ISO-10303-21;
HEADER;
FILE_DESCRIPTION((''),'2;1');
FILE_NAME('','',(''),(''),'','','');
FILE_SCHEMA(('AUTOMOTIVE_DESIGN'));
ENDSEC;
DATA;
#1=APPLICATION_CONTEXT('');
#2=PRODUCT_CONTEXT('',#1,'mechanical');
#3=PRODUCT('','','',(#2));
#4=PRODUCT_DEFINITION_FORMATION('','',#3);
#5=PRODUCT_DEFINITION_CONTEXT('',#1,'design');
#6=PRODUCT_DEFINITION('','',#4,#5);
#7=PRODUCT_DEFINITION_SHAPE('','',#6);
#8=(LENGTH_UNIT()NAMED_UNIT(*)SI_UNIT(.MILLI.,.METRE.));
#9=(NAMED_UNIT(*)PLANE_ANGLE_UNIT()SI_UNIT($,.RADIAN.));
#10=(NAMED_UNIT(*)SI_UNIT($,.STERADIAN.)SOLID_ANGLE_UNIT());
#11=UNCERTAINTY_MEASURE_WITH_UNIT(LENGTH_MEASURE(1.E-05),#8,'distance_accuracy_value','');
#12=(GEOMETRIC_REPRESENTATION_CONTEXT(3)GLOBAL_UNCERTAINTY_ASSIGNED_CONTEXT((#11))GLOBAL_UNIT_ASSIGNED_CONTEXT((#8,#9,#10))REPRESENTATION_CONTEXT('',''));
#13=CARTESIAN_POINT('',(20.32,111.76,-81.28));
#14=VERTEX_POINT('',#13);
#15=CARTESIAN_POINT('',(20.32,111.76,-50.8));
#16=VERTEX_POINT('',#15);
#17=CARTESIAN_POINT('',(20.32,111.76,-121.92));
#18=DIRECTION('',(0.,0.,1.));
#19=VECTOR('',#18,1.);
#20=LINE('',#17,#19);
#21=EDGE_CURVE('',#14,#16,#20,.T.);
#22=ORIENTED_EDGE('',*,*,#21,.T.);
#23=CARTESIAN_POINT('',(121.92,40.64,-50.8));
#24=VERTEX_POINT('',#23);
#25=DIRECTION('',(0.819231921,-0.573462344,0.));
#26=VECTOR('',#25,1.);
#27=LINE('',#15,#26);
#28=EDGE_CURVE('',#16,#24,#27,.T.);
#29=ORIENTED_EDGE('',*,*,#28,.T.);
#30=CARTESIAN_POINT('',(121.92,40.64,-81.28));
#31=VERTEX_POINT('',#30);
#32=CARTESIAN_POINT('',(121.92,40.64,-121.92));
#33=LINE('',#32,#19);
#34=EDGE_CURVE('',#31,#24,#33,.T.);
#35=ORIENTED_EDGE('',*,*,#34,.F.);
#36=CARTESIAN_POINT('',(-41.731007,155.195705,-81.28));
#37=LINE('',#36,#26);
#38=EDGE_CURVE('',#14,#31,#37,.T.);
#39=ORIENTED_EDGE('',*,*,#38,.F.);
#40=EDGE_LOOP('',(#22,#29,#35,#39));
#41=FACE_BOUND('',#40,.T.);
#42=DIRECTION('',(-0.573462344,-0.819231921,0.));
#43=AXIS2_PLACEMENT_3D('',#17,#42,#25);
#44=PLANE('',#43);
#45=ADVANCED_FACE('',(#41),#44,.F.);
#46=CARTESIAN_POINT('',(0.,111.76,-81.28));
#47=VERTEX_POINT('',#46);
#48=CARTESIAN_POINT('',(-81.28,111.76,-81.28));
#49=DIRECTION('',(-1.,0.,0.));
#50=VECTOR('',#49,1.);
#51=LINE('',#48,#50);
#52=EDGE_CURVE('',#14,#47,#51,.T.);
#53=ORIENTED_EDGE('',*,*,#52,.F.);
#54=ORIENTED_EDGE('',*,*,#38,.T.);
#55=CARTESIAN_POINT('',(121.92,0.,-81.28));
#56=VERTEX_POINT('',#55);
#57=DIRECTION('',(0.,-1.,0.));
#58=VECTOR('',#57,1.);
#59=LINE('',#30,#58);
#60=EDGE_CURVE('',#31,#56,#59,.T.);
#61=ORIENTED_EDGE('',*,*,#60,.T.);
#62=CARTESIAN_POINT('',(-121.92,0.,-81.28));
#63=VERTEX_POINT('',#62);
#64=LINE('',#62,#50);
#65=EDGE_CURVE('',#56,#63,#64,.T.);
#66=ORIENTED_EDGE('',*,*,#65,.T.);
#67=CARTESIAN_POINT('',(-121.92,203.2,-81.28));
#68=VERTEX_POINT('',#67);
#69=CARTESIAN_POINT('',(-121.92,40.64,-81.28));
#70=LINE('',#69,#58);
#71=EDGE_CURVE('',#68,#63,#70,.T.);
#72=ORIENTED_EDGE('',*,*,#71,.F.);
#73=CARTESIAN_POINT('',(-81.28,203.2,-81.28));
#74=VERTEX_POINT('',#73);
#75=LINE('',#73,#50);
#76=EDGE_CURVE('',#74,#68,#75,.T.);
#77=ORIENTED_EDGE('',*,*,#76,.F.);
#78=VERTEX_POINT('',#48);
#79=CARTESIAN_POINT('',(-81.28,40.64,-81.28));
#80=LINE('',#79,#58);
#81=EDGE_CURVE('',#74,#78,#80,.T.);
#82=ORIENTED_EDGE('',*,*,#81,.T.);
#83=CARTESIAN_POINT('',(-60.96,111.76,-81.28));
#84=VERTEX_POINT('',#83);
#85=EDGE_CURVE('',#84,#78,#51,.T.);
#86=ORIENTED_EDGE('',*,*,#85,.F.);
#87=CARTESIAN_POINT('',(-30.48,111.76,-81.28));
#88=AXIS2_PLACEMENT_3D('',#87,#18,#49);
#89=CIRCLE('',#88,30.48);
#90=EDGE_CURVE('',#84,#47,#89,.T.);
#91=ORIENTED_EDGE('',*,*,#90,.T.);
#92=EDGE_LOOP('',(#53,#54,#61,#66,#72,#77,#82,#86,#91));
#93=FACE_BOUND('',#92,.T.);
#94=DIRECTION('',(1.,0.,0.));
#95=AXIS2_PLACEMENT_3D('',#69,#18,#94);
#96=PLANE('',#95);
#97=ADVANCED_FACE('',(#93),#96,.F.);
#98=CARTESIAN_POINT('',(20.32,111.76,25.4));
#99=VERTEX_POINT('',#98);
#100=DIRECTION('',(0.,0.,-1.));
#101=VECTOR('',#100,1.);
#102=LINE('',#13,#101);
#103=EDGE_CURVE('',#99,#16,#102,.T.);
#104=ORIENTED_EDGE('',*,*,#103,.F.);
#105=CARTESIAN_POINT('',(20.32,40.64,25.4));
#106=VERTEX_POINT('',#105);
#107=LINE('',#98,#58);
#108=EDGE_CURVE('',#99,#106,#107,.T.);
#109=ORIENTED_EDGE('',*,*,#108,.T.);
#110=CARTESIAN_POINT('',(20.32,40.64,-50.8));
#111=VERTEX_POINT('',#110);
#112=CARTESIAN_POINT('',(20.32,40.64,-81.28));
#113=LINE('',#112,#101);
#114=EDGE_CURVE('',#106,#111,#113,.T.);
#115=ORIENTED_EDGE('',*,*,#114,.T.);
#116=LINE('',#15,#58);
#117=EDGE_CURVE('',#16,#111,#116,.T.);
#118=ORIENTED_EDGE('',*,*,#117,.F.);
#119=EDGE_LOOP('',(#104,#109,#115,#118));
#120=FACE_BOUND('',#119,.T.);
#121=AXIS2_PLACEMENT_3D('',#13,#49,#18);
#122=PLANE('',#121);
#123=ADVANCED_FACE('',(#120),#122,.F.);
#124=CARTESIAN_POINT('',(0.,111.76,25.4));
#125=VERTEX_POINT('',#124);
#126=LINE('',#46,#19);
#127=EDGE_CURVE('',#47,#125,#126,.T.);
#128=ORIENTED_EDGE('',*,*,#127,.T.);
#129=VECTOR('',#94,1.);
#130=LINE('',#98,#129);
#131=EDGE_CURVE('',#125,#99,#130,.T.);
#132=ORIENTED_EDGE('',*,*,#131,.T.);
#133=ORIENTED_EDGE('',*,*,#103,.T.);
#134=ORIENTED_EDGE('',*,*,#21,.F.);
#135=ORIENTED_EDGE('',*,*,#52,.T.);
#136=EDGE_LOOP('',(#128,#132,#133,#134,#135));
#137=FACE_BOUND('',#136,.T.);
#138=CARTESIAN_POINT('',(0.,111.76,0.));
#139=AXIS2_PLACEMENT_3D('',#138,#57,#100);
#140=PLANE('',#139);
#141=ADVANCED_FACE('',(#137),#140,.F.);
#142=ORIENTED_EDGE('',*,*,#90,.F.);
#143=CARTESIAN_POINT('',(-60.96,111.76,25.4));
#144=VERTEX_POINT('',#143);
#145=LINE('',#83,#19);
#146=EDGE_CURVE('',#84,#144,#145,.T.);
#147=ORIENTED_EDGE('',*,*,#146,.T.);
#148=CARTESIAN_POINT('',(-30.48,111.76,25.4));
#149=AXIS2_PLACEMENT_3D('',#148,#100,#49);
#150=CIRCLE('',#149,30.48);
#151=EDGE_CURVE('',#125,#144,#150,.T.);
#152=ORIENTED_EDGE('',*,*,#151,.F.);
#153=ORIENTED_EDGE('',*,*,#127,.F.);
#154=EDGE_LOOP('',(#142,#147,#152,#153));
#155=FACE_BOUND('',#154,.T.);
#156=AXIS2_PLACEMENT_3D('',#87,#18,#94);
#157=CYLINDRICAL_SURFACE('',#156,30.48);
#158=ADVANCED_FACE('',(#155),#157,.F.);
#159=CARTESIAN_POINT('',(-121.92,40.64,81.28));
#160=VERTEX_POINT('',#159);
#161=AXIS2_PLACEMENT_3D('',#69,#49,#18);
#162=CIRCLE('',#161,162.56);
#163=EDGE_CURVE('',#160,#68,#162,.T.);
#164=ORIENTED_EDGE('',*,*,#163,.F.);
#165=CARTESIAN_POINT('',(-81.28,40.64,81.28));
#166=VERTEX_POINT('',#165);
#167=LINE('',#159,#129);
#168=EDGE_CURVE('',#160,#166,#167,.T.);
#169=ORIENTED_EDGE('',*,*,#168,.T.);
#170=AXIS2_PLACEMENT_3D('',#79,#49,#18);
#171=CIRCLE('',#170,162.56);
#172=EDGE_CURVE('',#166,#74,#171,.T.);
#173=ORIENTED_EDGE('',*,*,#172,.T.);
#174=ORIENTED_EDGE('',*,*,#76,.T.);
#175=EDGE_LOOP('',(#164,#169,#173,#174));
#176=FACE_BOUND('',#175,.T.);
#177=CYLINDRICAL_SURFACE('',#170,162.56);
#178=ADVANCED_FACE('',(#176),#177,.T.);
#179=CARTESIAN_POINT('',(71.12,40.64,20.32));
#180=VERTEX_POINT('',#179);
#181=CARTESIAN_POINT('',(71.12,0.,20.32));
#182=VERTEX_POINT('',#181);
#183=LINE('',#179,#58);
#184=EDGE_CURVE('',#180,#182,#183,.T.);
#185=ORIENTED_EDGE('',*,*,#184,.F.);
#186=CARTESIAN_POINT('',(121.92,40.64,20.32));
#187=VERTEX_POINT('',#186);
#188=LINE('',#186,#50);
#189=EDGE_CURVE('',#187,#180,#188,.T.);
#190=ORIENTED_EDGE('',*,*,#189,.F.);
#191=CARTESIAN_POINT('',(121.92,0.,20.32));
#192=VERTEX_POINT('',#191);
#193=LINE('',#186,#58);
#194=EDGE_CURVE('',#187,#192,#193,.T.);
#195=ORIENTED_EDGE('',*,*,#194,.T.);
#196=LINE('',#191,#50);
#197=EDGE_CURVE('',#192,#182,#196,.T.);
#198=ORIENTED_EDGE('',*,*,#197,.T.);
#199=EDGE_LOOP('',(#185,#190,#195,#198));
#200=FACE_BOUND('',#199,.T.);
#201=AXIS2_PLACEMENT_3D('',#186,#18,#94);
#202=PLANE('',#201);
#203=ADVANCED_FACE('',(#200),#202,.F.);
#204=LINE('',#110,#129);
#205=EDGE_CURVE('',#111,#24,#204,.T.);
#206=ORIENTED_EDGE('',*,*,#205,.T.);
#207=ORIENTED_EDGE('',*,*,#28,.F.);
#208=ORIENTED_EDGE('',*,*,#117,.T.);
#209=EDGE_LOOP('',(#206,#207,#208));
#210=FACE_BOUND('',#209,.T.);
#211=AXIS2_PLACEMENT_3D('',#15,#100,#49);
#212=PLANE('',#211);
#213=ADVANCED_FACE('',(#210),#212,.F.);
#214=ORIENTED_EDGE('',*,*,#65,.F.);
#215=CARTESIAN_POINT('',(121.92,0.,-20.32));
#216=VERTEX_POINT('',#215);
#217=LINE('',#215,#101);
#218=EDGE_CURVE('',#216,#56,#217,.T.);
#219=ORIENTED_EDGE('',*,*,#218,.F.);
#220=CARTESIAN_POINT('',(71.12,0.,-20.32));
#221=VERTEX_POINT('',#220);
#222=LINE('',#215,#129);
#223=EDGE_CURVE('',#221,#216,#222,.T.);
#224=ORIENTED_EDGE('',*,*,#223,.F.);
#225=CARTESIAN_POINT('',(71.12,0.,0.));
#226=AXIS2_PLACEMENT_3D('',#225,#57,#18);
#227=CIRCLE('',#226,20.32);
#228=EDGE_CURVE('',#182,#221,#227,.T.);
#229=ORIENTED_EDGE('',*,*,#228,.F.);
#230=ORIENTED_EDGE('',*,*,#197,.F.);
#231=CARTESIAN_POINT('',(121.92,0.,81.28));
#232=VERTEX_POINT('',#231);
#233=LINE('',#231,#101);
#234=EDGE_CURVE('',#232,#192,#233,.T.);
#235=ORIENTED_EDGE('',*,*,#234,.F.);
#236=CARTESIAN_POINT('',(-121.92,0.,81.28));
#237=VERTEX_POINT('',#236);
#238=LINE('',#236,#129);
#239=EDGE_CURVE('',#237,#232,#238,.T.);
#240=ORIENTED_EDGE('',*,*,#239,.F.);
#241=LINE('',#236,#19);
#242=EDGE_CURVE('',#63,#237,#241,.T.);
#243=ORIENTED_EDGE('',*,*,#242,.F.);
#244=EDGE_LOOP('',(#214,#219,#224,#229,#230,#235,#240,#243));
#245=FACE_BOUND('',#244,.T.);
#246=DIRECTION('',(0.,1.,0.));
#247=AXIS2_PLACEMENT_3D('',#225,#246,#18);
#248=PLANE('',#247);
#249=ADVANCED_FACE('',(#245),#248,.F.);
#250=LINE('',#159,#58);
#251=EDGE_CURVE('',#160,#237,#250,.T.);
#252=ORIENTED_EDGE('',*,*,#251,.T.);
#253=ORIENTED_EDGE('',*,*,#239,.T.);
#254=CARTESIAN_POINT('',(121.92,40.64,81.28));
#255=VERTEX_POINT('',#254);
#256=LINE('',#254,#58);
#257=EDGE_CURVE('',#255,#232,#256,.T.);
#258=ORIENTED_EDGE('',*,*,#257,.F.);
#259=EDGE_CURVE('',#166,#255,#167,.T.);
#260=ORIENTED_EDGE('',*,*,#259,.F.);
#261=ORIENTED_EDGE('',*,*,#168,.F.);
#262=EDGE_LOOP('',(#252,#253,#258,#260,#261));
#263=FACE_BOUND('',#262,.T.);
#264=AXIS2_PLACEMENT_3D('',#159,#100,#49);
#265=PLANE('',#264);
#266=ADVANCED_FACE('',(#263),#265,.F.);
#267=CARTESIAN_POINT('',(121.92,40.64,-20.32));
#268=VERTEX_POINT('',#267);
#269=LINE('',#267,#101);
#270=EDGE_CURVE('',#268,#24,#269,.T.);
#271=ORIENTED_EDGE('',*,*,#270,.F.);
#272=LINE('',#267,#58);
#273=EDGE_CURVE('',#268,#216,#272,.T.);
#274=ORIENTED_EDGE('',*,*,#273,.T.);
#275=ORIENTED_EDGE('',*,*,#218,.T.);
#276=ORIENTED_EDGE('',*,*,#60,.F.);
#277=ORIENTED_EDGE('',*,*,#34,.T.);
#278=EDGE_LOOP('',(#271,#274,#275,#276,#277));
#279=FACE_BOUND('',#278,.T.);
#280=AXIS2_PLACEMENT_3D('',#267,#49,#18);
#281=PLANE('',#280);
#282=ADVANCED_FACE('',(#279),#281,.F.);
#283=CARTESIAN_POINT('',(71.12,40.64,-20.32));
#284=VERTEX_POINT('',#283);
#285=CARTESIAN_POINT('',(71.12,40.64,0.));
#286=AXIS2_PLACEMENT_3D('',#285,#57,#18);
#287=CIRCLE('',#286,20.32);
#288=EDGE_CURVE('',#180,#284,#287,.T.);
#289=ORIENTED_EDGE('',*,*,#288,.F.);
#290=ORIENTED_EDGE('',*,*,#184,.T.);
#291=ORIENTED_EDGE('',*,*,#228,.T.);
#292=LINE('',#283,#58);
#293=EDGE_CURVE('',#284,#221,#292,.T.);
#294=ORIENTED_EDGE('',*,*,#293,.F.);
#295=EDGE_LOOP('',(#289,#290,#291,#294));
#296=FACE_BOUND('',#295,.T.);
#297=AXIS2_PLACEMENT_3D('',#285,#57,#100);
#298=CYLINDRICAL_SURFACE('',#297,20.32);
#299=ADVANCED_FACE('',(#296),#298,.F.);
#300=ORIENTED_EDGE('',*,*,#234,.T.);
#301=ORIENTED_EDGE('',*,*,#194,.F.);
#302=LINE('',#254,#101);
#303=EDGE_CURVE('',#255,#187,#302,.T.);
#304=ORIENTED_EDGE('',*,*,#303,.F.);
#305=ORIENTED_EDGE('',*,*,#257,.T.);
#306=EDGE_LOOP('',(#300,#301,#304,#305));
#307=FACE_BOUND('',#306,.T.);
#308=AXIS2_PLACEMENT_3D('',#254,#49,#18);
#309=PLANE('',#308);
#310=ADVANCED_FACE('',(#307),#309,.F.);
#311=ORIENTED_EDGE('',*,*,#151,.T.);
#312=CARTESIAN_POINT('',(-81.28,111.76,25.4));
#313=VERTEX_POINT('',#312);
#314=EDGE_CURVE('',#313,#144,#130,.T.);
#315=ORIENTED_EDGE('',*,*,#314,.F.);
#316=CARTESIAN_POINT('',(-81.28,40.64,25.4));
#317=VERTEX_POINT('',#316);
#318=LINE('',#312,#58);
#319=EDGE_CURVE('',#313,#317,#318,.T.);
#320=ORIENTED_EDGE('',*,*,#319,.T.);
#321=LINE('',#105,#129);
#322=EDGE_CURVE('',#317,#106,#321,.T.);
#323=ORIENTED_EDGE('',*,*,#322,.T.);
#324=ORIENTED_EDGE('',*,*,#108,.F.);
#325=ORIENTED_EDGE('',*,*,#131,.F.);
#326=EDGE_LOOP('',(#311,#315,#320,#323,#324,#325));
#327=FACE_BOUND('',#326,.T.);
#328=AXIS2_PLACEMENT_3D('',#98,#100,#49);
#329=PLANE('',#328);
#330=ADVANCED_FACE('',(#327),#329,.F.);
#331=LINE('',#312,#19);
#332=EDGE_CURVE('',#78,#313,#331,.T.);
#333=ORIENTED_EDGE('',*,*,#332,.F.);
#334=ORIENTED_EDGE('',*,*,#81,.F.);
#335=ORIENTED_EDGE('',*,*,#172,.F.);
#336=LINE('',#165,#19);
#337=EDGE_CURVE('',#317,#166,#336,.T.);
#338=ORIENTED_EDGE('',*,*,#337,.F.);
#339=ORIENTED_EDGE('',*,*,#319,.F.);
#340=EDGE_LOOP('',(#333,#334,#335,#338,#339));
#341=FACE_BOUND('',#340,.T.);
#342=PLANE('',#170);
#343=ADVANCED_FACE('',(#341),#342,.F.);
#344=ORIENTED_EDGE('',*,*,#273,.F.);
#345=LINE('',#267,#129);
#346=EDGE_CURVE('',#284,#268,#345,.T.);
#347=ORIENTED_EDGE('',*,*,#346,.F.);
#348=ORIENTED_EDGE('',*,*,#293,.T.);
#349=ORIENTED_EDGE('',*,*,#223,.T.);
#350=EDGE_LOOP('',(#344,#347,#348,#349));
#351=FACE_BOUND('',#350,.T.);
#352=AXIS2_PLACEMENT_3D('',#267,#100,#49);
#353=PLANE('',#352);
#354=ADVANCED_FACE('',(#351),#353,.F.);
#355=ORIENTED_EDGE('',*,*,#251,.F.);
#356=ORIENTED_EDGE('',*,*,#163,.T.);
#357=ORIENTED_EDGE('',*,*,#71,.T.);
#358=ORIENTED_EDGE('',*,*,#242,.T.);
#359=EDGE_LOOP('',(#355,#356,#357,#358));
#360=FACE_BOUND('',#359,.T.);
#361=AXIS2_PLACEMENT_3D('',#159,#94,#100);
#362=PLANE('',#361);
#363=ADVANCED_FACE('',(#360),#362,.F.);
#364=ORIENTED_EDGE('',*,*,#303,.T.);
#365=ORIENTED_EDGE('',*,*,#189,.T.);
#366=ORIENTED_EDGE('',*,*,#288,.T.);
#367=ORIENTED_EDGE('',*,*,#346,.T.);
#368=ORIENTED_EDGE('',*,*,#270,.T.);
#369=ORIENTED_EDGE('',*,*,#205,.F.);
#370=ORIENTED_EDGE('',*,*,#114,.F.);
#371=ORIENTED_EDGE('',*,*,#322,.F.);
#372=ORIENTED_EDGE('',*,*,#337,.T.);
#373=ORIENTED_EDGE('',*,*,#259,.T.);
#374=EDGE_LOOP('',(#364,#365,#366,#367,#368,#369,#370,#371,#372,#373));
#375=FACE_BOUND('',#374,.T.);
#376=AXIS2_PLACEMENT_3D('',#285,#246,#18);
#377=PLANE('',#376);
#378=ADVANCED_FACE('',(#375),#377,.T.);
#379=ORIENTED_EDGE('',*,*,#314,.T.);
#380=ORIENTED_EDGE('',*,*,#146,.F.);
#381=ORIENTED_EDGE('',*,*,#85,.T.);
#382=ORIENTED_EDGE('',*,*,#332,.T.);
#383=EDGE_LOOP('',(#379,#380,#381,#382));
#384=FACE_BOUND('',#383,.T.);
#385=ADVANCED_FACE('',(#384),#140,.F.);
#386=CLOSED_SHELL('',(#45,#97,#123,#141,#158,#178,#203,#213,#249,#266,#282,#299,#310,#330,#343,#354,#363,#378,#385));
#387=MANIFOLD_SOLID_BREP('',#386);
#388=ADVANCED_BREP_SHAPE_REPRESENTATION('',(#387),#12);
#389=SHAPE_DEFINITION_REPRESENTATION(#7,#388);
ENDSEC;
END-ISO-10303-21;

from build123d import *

# Parameters (mm, degrees)
BOSS_EXTRUDE1_DEPTH     = 40.64
BOSS_EXTRUDE2_DEPTH     = 40.64
SKETCH3_W               = 101.6
SKETCH3_H               = 106.68
BOSS_EXTRUDE3_DEPTH     = 71.12
CUT_EXTRUDE1_DEPTH      = 260.875641029
CUT_EXTRUDE1_DEPTH_BACK = 260.875641029
SKETCH5_W               = 101.6
SKETCH5_H               = 30.48
BOSS_EXTRUDE4_DEPTH     = 71.12
CUT_EXTRUDE2_DEPTH      = 71.12


with BuildPart() as part:
    # Sketch1 → Boss-Extrude1 (new body)
    with BuildSketch(Plane(origin=(0, 0, 0), x_dir=(1, 0, 0), z_dir=(0, 1, 0))):
        with BuildLine():
            Line((-121.92, -81.28), (121.92, -81.28))
            Line((121.92, -81.28), (121.92, -20.32))
            Line((121.92, -20.32), (71.12, -20.32))
            ThreePointArc((71.12, -20.32), (50.8, 0), (71.12, 20.32))
            Line((71.12, 20.32), (121.92, 20.32))
            Line((121.92, 20.32), (121.92, 81.28))
            Line((121.92, 81.28), (-121.92, 81.28))
            Line((-121.92, 81.28), (-121.92, -81.28))
        make_face()
    extrude(amount=BOSS_EXTRUDE1_DEPTH)

    # Sketch2 → Boss-Extrude2 (add)
    with BuildSketch(Plane.ZY.offset(121.92)):
        with BuildLine():
            Line((-81.28, 40.64), (-81.28, 203.2))
            ThreePointArc((-81.28, 203.2), (33.66727835, 155.58727835), (81.28, 40.64))
            Line((81.28, 40.64), (-81.28, 40.64))
        make_face()
    extrude(amount=-BOSS_EXTRUDE2_DEPTH)

    # Sketch3 → Boss-Extrude3 (add)
    with BuildSketch(Plane(origin=(0, 40.64, 0), x_dir=(1, 0, 0), z_dir=(0, 1, 0))):
        with Locations((-30.48, 27.94)):
            Rectangle(SKETCH3_W, SKETCH3_H)
    extrude(amount=BOSS_EXTRUDE3_DEPTH)

    # Sketch4 → Cut-Extrude1 (cut, two sides: drawn at the far end of the back side and taken through both)
    with BuildSketch(Plane.XY.offset(25.4).offset(-CUT_EXTRUDE1_DEPTH_BACK)):
        with BuildLine():
            Line((-60.96, 111.76), (0, 111.76))
            ThreePointArc((0, 111.76), (-30.48, 81.28), (-60.96, 111.76))
        make_face()
    extrude(amount=CUT_EXTRUDE1_DEPTH + CUT_EXTRUDE1_DEPTH_BACK, mode=Mode.SUBTRACT)

    # Sketch5 → Boss-Extrude4 (add)
    with BuildSketch(Plane(origin=(0, 40.64, 0), x_dir=(1, 0, 0), z_dir=(0, 1, 0))):
        with Locations((71.12, 66.04)):
            Rectangle(SKETCH5_W, SKETCH5_H)
    extrude(amount=BOSS_EXTRUDE4_DEPTH)

    # Sketch6 → Cut-Extrude2 (cut)
    with BuildSketch(Plane.XY.offset(-50.8)):
        Polygon((20.32, 111.76), (121.92, 40.64), (121.92, 111.76), align=None)
    extrude(amount=-CUT_EXTRUDE2_DEPTH, mode=Mode.SUBTRACT)


solid = part.part
